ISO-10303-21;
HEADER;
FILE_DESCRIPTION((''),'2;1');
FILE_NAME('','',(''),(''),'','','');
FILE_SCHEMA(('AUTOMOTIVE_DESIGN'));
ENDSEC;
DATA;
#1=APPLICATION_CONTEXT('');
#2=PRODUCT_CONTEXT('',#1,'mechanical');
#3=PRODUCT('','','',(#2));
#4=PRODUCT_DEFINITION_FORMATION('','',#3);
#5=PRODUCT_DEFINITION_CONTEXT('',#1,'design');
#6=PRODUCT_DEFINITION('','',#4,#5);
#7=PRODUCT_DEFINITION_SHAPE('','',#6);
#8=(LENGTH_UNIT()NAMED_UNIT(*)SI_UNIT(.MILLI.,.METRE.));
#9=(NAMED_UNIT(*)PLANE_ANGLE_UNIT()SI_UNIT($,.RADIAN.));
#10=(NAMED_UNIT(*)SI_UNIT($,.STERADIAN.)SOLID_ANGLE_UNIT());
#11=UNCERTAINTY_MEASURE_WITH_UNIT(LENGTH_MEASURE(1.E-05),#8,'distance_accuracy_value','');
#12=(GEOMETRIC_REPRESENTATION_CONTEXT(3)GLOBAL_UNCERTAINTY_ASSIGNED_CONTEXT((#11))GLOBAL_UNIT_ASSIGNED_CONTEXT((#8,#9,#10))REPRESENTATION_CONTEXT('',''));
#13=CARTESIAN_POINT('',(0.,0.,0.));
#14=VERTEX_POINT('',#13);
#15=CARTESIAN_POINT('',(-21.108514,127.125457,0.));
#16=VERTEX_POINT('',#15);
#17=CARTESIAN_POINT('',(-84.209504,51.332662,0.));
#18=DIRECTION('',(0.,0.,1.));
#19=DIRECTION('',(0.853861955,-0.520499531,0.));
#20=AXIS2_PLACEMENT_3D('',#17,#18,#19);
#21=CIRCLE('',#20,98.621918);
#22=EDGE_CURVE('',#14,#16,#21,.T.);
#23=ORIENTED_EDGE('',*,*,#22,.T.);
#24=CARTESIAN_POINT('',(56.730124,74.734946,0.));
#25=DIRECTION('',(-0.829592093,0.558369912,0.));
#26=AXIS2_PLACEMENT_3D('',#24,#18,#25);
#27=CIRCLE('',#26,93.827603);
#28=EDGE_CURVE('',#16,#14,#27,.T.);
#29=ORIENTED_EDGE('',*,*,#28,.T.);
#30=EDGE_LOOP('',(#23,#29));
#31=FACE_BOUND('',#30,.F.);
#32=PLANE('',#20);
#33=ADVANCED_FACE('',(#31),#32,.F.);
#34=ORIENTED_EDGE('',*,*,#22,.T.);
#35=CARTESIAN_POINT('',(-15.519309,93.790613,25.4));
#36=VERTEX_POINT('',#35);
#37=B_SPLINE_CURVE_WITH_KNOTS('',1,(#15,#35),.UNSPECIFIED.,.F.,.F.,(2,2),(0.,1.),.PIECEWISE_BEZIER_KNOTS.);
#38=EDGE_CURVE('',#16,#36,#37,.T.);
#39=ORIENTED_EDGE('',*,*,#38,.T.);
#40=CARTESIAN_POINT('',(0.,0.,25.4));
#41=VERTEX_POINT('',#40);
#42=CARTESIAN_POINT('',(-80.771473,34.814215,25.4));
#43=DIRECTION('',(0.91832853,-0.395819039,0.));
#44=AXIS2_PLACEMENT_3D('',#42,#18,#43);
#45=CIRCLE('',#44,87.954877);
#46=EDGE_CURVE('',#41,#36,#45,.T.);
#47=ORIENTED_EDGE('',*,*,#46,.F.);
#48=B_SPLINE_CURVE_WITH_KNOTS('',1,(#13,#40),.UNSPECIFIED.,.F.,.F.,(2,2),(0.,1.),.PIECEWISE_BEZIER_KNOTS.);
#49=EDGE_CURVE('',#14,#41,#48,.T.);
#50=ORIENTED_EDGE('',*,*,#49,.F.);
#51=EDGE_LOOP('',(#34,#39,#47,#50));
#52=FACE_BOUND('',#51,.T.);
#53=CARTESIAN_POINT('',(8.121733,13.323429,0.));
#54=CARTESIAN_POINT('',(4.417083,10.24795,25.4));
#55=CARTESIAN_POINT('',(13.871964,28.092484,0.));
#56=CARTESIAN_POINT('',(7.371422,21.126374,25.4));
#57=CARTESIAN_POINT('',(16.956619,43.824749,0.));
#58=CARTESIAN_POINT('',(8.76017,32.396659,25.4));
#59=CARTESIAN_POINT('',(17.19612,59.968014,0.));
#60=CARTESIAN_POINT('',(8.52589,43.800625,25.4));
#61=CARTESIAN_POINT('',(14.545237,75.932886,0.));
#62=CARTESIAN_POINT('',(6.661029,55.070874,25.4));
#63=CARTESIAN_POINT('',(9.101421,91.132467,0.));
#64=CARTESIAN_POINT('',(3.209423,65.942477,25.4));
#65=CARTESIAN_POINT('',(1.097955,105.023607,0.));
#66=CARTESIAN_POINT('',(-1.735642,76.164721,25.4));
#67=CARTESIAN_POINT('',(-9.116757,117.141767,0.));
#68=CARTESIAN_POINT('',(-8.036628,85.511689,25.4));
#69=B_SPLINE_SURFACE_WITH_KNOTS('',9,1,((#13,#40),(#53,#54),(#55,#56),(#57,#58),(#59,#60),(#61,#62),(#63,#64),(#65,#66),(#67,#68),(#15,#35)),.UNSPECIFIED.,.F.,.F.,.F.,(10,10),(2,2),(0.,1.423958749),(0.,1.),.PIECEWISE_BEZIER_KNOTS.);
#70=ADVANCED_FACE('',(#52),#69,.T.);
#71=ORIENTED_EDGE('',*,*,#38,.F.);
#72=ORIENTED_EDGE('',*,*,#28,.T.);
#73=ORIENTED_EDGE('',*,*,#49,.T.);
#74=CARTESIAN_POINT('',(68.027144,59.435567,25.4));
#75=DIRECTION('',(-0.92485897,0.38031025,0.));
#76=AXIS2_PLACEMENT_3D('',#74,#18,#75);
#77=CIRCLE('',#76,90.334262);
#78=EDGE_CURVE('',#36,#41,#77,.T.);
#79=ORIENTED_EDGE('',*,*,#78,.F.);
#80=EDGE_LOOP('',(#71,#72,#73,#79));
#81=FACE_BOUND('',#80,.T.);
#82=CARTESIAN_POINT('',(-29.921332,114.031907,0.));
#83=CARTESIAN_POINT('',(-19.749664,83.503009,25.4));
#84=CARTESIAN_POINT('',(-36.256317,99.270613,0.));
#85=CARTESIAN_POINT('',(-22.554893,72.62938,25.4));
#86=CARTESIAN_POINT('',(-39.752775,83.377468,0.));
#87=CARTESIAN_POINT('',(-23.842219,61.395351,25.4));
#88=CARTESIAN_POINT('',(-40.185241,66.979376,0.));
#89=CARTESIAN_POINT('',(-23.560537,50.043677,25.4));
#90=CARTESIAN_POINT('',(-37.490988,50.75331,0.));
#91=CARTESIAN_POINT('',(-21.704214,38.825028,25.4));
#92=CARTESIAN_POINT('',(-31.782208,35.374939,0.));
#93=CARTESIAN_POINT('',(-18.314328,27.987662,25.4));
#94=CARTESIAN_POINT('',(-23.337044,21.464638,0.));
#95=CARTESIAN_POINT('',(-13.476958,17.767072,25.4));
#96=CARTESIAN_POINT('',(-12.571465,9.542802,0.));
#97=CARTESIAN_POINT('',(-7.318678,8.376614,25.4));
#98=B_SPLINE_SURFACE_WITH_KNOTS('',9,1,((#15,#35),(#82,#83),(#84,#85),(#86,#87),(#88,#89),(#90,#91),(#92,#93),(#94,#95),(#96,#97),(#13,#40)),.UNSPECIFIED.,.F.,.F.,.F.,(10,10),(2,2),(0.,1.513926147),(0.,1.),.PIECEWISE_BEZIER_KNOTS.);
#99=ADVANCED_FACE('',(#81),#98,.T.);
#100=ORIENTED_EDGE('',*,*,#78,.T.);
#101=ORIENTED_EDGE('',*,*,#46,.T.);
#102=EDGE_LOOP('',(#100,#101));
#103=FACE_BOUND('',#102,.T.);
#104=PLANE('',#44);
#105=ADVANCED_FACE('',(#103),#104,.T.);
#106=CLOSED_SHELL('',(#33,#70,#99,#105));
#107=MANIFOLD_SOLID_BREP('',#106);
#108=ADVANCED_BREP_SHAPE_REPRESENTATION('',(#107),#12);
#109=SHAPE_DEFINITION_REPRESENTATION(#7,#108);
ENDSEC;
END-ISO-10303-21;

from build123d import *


with BuildPart() as f3:
    # F0 (on Top) → F3 section 0
    with BuildSketch(Plane.XY):
        with BuildLine():
            ThreePointArc((0, 0), (13.080351, 67.487131), (-21.108514, 127.125457))
            ThreePointArc((-21.108514, 127.125457), (-35.830172, 59.365796), (0, 0))
        make_face()
    # F2 (on offset) → F3 section 1
    with BuildSketch(Plane.XY.offset(25.4)):
        with BuildLine():
            ThreePointArc((0, 0), (6.003497, 49.172662), (-15.519309, 93.790613))
            ThreePointArc((-15.519309, 93.790613), (-21.095292, 44.68869), (0, 0))
        make_face()
    loft()


solid = f3.part
